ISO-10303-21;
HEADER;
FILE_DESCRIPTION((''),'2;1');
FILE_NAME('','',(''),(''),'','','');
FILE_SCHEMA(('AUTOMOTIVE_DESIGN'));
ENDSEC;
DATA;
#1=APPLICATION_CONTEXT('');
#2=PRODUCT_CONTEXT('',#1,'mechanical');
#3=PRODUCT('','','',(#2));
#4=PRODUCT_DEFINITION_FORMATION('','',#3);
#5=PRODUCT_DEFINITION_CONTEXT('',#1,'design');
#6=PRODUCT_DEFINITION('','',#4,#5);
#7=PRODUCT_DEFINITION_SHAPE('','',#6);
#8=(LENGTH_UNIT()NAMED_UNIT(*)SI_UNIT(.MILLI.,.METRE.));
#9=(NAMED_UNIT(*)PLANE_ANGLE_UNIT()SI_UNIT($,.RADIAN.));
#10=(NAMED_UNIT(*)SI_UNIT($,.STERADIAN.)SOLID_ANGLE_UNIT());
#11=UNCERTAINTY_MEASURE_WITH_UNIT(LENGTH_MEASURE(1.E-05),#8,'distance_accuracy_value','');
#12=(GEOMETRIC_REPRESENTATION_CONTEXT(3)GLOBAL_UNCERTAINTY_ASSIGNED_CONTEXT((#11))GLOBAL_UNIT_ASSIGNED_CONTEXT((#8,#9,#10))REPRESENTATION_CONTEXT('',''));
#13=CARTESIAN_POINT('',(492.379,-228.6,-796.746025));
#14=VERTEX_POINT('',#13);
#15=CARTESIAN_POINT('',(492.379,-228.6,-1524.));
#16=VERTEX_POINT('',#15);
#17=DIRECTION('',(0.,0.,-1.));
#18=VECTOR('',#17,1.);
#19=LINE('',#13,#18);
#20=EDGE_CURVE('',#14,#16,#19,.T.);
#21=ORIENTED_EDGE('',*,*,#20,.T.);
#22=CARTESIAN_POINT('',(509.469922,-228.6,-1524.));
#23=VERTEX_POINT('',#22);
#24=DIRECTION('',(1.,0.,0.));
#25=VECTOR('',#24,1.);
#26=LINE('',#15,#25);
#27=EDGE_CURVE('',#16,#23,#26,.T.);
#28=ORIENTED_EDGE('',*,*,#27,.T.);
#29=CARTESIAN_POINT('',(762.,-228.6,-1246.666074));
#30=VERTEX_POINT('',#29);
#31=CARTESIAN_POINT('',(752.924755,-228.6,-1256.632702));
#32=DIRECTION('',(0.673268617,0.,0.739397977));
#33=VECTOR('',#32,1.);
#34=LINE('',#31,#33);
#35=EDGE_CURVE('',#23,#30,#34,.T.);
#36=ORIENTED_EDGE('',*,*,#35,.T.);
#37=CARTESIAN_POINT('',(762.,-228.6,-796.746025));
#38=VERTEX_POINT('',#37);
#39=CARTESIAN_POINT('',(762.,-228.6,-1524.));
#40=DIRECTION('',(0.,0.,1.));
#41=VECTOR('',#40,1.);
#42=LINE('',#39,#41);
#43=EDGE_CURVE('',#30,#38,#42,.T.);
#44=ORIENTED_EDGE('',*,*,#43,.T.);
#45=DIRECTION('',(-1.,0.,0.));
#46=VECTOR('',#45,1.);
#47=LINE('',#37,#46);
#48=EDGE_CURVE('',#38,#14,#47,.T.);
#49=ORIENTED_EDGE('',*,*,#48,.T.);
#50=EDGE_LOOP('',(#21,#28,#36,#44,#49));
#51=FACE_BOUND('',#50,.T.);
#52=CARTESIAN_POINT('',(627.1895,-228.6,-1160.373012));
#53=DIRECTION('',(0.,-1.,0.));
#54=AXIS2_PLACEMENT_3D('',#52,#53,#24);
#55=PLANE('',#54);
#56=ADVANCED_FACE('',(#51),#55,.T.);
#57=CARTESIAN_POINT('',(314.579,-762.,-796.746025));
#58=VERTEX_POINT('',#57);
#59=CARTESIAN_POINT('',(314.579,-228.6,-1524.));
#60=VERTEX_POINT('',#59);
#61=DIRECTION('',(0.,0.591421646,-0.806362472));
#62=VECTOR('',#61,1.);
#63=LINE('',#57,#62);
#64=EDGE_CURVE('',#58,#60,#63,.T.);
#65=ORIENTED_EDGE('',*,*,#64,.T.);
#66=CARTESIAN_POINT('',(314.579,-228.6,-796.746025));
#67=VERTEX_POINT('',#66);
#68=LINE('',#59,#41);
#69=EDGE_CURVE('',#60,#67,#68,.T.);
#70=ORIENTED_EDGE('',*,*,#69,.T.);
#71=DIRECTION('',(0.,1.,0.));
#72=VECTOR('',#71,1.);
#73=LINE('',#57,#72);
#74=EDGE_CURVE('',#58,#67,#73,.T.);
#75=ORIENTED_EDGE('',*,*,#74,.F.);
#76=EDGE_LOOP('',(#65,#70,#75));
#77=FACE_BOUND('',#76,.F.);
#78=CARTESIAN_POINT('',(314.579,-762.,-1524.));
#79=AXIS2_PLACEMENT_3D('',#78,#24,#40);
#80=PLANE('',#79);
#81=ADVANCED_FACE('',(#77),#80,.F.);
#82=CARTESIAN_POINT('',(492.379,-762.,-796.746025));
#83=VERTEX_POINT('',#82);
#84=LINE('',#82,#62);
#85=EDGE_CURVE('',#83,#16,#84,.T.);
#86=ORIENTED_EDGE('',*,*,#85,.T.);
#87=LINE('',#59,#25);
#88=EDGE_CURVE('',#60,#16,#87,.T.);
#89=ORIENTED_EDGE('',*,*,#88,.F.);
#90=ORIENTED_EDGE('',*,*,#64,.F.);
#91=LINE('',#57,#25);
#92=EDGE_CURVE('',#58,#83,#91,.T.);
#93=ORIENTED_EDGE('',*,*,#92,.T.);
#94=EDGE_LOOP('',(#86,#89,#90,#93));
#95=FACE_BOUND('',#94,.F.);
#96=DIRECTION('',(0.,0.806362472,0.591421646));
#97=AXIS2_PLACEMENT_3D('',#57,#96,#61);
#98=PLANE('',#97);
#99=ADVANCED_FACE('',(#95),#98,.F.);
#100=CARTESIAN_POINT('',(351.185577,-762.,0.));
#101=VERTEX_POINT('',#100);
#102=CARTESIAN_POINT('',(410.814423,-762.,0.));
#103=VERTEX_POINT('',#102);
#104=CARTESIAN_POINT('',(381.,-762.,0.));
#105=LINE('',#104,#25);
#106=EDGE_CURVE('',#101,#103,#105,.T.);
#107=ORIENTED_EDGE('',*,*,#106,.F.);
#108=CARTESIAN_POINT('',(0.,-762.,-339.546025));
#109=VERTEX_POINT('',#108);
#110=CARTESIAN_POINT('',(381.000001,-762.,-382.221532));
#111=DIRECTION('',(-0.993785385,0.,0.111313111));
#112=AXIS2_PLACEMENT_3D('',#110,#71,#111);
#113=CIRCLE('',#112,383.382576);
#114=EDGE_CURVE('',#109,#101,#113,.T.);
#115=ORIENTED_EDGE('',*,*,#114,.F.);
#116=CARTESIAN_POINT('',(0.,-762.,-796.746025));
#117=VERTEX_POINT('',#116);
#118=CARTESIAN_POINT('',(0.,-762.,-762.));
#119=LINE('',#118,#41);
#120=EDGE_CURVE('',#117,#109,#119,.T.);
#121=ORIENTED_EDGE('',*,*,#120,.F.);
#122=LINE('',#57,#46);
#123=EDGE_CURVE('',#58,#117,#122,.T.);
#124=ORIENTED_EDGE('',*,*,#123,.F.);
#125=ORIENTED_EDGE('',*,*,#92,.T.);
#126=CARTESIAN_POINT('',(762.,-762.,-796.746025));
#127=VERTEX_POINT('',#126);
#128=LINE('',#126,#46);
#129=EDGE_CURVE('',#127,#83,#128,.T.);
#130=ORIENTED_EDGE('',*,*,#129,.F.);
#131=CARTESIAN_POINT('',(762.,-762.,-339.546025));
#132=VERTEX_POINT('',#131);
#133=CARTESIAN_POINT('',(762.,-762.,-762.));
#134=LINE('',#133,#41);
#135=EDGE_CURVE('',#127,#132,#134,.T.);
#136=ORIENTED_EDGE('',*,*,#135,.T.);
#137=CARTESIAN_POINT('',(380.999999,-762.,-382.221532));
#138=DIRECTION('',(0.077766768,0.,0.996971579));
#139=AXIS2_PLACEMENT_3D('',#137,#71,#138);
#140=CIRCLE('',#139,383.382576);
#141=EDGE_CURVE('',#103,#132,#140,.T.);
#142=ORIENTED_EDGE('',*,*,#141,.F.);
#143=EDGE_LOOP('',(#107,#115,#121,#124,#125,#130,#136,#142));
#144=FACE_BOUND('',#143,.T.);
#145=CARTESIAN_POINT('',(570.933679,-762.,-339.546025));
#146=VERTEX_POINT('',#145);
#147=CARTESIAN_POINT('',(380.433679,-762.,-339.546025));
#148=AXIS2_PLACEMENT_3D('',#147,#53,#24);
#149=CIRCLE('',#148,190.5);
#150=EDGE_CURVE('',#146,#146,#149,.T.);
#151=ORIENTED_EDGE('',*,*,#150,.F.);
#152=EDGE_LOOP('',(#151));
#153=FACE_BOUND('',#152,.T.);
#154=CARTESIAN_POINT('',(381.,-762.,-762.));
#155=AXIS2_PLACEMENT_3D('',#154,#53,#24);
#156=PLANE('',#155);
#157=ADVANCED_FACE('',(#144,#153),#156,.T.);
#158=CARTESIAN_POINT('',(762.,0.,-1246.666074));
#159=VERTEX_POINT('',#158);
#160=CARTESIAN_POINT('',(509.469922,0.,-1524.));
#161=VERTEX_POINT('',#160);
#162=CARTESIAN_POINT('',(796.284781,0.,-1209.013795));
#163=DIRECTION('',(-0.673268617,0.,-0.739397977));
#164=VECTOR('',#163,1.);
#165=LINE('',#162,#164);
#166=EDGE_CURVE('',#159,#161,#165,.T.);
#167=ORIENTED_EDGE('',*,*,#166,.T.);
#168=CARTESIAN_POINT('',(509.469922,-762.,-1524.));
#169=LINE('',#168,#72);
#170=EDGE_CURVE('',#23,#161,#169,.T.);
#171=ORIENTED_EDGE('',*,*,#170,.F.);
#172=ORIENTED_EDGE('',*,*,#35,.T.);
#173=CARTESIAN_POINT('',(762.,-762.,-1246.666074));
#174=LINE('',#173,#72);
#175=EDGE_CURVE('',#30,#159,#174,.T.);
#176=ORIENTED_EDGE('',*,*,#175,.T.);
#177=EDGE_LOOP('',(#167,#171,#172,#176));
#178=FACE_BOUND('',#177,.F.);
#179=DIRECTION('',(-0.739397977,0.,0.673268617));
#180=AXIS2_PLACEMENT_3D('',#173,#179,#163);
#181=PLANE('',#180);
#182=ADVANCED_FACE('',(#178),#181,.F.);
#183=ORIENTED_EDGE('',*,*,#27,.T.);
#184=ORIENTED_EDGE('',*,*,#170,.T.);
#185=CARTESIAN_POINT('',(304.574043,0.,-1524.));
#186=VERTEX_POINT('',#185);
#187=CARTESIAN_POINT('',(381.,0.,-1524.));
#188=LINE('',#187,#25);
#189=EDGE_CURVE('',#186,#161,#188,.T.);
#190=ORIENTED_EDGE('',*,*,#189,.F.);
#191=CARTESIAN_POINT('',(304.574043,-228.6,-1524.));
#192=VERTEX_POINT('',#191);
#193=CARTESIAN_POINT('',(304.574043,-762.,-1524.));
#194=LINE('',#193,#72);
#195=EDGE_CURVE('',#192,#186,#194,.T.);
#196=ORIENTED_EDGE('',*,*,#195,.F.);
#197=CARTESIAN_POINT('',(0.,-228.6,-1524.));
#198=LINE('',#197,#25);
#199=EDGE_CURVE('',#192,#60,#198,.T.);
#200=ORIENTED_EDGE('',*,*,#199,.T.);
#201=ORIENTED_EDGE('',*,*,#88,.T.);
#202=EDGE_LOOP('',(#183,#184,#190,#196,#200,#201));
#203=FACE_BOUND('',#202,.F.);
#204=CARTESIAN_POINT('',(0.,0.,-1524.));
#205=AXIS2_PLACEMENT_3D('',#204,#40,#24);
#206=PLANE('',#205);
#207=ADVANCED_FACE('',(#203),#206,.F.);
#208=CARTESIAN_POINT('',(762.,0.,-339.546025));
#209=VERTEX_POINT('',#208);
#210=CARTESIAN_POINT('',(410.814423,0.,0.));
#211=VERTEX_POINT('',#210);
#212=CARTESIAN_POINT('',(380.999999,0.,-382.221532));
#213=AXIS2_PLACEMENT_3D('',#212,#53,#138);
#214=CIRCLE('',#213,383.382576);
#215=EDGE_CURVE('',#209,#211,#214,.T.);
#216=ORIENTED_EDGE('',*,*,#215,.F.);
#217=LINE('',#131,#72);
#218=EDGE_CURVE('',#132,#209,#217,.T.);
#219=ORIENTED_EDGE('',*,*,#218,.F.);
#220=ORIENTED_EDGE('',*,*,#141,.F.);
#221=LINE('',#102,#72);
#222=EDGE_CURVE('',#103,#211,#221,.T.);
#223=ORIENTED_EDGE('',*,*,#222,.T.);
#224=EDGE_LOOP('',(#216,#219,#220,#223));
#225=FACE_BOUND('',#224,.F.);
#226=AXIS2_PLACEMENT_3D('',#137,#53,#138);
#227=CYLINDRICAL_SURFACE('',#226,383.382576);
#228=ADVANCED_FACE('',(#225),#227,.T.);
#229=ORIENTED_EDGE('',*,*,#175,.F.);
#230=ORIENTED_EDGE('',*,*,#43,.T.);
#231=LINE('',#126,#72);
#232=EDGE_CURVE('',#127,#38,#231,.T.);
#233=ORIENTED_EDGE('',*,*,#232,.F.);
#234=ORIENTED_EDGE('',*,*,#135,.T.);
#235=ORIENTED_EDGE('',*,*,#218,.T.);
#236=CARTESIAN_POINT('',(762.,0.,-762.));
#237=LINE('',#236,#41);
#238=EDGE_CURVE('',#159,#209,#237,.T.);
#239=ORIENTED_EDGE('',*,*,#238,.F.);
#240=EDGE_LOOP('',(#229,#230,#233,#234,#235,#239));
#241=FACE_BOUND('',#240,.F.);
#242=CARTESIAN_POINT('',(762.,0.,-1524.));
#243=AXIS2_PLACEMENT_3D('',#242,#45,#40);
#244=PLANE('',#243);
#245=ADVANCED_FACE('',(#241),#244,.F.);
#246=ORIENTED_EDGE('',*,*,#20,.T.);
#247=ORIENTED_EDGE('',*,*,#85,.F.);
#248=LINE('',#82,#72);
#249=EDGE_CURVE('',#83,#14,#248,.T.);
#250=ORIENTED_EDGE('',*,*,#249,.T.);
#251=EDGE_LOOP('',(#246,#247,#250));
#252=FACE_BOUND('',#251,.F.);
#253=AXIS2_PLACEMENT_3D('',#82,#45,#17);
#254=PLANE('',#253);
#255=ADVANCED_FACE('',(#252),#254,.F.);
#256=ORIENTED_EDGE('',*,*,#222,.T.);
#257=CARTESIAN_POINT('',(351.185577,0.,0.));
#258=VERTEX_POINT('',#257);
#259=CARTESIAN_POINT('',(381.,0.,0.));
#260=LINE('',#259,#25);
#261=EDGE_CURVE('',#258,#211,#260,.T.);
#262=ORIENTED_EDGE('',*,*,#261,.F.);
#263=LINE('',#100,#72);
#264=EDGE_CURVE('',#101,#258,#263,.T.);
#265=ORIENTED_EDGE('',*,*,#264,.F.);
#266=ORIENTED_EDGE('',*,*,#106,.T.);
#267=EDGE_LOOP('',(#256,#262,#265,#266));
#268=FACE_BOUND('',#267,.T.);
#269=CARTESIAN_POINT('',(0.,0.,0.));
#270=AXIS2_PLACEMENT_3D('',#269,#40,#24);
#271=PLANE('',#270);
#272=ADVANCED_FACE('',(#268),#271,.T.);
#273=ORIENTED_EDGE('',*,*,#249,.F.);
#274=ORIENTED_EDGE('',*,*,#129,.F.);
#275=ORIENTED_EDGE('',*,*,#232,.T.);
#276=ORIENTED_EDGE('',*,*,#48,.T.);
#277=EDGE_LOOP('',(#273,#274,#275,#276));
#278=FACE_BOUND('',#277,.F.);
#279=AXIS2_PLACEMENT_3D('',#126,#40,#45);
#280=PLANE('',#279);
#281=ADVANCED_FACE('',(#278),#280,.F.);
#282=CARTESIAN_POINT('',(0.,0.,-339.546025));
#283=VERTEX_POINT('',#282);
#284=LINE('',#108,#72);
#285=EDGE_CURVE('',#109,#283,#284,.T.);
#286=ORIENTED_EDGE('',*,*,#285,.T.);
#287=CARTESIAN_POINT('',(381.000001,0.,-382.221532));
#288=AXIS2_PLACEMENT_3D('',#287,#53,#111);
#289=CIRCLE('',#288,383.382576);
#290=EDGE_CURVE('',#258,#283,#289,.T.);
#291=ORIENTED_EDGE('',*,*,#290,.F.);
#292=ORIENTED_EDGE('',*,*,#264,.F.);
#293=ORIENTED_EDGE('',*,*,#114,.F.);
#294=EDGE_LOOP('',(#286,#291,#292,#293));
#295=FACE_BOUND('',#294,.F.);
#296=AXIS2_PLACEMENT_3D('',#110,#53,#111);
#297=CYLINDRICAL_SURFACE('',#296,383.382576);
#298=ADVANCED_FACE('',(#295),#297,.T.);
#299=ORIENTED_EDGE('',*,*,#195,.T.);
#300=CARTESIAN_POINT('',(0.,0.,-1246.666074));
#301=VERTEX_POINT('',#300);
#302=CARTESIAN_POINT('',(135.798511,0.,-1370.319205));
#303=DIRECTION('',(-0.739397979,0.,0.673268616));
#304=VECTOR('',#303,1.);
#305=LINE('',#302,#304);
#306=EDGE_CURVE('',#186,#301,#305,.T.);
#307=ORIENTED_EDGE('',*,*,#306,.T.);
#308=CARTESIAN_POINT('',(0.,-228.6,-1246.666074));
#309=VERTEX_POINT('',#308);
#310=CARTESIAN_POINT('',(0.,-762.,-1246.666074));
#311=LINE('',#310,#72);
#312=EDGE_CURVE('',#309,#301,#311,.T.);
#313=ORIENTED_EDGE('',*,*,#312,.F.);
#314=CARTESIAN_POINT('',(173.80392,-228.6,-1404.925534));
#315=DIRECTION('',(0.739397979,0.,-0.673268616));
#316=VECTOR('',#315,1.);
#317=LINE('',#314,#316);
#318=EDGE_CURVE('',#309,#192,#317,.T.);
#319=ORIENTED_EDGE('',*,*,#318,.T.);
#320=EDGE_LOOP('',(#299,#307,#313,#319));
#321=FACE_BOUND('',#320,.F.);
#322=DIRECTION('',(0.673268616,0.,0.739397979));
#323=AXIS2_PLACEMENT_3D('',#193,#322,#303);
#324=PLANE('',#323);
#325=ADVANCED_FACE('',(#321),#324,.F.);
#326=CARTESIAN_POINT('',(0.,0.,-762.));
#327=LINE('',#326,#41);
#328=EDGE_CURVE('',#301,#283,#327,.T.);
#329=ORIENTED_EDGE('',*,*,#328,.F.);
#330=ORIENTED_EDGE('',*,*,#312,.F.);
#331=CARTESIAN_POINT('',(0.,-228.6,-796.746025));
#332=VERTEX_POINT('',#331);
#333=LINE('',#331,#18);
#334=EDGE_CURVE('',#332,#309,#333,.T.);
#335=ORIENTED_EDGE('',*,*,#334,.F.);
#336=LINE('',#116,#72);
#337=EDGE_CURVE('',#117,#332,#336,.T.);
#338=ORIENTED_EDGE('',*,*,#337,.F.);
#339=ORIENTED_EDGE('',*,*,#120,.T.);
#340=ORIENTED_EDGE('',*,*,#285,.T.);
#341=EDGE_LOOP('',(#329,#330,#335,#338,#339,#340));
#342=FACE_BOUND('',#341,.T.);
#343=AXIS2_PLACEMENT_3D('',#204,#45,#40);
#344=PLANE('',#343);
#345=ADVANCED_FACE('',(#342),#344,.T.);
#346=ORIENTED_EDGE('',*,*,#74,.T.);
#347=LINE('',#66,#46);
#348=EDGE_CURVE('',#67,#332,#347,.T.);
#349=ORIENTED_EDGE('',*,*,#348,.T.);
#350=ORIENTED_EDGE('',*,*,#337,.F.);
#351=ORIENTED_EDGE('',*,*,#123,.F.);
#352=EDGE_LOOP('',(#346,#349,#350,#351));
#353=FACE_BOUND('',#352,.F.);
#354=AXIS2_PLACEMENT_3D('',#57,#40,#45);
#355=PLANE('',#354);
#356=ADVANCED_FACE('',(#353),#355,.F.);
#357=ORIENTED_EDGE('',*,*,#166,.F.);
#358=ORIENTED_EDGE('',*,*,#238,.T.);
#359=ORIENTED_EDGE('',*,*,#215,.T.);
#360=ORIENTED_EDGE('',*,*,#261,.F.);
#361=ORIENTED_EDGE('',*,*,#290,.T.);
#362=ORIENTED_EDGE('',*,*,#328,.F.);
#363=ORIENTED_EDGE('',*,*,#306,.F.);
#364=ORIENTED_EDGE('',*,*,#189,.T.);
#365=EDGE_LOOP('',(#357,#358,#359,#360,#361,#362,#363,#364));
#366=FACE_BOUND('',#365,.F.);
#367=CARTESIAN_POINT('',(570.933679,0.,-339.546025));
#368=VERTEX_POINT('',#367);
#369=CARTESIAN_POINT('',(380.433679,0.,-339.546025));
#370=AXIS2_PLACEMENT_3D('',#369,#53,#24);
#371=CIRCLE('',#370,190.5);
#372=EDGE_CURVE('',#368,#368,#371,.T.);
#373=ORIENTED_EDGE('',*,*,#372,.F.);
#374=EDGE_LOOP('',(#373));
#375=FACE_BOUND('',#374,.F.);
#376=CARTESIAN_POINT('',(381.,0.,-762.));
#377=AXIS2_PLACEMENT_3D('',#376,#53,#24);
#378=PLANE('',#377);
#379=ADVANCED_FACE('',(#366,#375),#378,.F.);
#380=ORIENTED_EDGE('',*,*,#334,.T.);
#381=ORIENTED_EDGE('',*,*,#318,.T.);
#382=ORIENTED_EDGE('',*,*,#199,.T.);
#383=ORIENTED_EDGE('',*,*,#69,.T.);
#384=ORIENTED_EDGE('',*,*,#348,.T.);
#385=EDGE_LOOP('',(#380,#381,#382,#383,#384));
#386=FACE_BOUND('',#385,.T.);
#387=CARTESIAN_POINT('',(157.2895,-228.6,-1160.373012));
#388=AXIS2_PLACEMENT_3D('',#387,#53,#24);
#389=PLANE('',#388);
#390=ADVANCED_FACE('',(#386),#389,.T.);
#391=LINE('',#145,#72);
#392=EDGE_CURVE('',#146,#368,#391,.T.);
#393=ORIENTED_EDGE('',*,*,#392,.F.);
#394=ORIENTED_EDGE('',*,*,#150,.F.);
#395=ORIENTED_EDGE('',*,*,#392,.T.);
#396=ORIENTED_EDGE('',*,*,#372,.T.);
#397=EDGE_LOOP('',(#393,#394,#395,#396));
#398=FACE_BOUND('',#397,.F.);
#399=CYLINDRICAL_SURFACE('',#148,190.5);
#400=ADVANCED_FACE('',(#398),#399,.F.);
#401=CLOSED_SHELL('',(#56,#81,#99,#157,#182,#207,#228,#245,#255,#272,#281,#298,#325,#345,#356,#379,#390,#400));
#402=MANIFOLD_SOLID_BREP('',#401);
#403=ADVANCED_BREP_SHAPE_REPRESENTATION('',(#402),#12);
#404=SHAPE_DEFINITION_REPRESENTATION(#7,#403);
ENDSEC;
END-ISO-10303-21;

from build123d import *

# Parameters (mm, degrees)
F0_W     = 762
F0_H     = 1524
F1_DEPTH = 762
F4_DEPTH = 762.001
F5_DEPTH = 762.001
F6_DEPTH = 533.4
F8_DEPTH = 447.422


with BuildPart() as f1:
    # F0 (on Front) → F1 (new body)
    with BuildSketch(Plane.XZ):
        with Locations((381, -762)):
            Rectangle(F0_W, F0_H)
    extrude(amount=F1_DEPTH)

    # F3 (on face) + F2 (on face) → F4 (cut, through all)
    with BuildSketch(Plane.XZ.offset(762)):
        Polygon((762, -1246.666074), (509.469922, -1524), (762, -1524), align=None)
        Polygon((304.574043, -1524), (0, -1246.666074), (0, -1524), align=None)
    with BuildSketch(Plane.XZ.offset(762)):
        with BuildLine():
            Line((762, 0), (410.814423, 0))
            ThreePointArc((410.814423, 0), (647.486394, -106.600051), (762, -339.546025))
            Line((762, -339.546025), (762, 0))
        make_face()
        with BuildLine():
            Line((0, 0), (0, -339.546025))
            ThreePointArc((0, -339.546025), (114.513606, -106.600051), (351.185577, 0))
            Line((351.185577, 0), (0, 0))
        make_face()
    extrude(amount=-F4_DEPTH, mode=Mode.SUBTRACT)

    # F2 (on face) → F5 (cut, through all)
    with BuildSketch(Plane.XZ.offset(762)):
        with BuildLine():
            Line((380.433679, -339.546025), (189.933679, -339.546025))
            ThreePointArc((189.933679, -339.546025), (380.433679, -530.046025), (570.933679, -339.546025))
            Line((570.933679, -339.546025), (380.433679, -339.546025))
        make_face()
        with BuildLine():
            ThreePointArc((570.933679, -339.546025), (380.433679, -149.046025), (189.933679, -339.546025))
            Line((189.933679, -339.546025), (380.433679, -339.546025))
            Line((380.433679, -339.546025), (570.933679, -339.546025))
        make_face()
    extrude(amount=-F5_DEPTH, mode=Mode.SUBTRACT)

    # F2 (on face) → F6 (cut)
    with BuildSketch(Plane.XZ.offset(762)):
        Polygon((492.379, -796.746025), (492.379, -1524), (533.4, -1524), (762, -1524), (762, -1382.540822), (762, -796.746025), align=None)
        Polygon((0, -796.746025), (0, -1524), (228.6, -1524), (314.579, -1524), (314.579, -796.746025), align=None)
    extrude(amount=-F6_DEPTH, mode=Mode.SUBTRACT)

    # F7 (on face) → F8 (cut, through all)
    with BuildSketch(Plane(origin=(314.579, 0, 0), x_dir=(0, -1, 0), z_dir=(-1, 0, 0))):
        Polygon((762, -1524), (762, -796.746025), (228.6, -1524), align=None)
    extrude(amount=-F8_DEPTH, mode=Mode.SUBTRACT)


solid = f1.part
